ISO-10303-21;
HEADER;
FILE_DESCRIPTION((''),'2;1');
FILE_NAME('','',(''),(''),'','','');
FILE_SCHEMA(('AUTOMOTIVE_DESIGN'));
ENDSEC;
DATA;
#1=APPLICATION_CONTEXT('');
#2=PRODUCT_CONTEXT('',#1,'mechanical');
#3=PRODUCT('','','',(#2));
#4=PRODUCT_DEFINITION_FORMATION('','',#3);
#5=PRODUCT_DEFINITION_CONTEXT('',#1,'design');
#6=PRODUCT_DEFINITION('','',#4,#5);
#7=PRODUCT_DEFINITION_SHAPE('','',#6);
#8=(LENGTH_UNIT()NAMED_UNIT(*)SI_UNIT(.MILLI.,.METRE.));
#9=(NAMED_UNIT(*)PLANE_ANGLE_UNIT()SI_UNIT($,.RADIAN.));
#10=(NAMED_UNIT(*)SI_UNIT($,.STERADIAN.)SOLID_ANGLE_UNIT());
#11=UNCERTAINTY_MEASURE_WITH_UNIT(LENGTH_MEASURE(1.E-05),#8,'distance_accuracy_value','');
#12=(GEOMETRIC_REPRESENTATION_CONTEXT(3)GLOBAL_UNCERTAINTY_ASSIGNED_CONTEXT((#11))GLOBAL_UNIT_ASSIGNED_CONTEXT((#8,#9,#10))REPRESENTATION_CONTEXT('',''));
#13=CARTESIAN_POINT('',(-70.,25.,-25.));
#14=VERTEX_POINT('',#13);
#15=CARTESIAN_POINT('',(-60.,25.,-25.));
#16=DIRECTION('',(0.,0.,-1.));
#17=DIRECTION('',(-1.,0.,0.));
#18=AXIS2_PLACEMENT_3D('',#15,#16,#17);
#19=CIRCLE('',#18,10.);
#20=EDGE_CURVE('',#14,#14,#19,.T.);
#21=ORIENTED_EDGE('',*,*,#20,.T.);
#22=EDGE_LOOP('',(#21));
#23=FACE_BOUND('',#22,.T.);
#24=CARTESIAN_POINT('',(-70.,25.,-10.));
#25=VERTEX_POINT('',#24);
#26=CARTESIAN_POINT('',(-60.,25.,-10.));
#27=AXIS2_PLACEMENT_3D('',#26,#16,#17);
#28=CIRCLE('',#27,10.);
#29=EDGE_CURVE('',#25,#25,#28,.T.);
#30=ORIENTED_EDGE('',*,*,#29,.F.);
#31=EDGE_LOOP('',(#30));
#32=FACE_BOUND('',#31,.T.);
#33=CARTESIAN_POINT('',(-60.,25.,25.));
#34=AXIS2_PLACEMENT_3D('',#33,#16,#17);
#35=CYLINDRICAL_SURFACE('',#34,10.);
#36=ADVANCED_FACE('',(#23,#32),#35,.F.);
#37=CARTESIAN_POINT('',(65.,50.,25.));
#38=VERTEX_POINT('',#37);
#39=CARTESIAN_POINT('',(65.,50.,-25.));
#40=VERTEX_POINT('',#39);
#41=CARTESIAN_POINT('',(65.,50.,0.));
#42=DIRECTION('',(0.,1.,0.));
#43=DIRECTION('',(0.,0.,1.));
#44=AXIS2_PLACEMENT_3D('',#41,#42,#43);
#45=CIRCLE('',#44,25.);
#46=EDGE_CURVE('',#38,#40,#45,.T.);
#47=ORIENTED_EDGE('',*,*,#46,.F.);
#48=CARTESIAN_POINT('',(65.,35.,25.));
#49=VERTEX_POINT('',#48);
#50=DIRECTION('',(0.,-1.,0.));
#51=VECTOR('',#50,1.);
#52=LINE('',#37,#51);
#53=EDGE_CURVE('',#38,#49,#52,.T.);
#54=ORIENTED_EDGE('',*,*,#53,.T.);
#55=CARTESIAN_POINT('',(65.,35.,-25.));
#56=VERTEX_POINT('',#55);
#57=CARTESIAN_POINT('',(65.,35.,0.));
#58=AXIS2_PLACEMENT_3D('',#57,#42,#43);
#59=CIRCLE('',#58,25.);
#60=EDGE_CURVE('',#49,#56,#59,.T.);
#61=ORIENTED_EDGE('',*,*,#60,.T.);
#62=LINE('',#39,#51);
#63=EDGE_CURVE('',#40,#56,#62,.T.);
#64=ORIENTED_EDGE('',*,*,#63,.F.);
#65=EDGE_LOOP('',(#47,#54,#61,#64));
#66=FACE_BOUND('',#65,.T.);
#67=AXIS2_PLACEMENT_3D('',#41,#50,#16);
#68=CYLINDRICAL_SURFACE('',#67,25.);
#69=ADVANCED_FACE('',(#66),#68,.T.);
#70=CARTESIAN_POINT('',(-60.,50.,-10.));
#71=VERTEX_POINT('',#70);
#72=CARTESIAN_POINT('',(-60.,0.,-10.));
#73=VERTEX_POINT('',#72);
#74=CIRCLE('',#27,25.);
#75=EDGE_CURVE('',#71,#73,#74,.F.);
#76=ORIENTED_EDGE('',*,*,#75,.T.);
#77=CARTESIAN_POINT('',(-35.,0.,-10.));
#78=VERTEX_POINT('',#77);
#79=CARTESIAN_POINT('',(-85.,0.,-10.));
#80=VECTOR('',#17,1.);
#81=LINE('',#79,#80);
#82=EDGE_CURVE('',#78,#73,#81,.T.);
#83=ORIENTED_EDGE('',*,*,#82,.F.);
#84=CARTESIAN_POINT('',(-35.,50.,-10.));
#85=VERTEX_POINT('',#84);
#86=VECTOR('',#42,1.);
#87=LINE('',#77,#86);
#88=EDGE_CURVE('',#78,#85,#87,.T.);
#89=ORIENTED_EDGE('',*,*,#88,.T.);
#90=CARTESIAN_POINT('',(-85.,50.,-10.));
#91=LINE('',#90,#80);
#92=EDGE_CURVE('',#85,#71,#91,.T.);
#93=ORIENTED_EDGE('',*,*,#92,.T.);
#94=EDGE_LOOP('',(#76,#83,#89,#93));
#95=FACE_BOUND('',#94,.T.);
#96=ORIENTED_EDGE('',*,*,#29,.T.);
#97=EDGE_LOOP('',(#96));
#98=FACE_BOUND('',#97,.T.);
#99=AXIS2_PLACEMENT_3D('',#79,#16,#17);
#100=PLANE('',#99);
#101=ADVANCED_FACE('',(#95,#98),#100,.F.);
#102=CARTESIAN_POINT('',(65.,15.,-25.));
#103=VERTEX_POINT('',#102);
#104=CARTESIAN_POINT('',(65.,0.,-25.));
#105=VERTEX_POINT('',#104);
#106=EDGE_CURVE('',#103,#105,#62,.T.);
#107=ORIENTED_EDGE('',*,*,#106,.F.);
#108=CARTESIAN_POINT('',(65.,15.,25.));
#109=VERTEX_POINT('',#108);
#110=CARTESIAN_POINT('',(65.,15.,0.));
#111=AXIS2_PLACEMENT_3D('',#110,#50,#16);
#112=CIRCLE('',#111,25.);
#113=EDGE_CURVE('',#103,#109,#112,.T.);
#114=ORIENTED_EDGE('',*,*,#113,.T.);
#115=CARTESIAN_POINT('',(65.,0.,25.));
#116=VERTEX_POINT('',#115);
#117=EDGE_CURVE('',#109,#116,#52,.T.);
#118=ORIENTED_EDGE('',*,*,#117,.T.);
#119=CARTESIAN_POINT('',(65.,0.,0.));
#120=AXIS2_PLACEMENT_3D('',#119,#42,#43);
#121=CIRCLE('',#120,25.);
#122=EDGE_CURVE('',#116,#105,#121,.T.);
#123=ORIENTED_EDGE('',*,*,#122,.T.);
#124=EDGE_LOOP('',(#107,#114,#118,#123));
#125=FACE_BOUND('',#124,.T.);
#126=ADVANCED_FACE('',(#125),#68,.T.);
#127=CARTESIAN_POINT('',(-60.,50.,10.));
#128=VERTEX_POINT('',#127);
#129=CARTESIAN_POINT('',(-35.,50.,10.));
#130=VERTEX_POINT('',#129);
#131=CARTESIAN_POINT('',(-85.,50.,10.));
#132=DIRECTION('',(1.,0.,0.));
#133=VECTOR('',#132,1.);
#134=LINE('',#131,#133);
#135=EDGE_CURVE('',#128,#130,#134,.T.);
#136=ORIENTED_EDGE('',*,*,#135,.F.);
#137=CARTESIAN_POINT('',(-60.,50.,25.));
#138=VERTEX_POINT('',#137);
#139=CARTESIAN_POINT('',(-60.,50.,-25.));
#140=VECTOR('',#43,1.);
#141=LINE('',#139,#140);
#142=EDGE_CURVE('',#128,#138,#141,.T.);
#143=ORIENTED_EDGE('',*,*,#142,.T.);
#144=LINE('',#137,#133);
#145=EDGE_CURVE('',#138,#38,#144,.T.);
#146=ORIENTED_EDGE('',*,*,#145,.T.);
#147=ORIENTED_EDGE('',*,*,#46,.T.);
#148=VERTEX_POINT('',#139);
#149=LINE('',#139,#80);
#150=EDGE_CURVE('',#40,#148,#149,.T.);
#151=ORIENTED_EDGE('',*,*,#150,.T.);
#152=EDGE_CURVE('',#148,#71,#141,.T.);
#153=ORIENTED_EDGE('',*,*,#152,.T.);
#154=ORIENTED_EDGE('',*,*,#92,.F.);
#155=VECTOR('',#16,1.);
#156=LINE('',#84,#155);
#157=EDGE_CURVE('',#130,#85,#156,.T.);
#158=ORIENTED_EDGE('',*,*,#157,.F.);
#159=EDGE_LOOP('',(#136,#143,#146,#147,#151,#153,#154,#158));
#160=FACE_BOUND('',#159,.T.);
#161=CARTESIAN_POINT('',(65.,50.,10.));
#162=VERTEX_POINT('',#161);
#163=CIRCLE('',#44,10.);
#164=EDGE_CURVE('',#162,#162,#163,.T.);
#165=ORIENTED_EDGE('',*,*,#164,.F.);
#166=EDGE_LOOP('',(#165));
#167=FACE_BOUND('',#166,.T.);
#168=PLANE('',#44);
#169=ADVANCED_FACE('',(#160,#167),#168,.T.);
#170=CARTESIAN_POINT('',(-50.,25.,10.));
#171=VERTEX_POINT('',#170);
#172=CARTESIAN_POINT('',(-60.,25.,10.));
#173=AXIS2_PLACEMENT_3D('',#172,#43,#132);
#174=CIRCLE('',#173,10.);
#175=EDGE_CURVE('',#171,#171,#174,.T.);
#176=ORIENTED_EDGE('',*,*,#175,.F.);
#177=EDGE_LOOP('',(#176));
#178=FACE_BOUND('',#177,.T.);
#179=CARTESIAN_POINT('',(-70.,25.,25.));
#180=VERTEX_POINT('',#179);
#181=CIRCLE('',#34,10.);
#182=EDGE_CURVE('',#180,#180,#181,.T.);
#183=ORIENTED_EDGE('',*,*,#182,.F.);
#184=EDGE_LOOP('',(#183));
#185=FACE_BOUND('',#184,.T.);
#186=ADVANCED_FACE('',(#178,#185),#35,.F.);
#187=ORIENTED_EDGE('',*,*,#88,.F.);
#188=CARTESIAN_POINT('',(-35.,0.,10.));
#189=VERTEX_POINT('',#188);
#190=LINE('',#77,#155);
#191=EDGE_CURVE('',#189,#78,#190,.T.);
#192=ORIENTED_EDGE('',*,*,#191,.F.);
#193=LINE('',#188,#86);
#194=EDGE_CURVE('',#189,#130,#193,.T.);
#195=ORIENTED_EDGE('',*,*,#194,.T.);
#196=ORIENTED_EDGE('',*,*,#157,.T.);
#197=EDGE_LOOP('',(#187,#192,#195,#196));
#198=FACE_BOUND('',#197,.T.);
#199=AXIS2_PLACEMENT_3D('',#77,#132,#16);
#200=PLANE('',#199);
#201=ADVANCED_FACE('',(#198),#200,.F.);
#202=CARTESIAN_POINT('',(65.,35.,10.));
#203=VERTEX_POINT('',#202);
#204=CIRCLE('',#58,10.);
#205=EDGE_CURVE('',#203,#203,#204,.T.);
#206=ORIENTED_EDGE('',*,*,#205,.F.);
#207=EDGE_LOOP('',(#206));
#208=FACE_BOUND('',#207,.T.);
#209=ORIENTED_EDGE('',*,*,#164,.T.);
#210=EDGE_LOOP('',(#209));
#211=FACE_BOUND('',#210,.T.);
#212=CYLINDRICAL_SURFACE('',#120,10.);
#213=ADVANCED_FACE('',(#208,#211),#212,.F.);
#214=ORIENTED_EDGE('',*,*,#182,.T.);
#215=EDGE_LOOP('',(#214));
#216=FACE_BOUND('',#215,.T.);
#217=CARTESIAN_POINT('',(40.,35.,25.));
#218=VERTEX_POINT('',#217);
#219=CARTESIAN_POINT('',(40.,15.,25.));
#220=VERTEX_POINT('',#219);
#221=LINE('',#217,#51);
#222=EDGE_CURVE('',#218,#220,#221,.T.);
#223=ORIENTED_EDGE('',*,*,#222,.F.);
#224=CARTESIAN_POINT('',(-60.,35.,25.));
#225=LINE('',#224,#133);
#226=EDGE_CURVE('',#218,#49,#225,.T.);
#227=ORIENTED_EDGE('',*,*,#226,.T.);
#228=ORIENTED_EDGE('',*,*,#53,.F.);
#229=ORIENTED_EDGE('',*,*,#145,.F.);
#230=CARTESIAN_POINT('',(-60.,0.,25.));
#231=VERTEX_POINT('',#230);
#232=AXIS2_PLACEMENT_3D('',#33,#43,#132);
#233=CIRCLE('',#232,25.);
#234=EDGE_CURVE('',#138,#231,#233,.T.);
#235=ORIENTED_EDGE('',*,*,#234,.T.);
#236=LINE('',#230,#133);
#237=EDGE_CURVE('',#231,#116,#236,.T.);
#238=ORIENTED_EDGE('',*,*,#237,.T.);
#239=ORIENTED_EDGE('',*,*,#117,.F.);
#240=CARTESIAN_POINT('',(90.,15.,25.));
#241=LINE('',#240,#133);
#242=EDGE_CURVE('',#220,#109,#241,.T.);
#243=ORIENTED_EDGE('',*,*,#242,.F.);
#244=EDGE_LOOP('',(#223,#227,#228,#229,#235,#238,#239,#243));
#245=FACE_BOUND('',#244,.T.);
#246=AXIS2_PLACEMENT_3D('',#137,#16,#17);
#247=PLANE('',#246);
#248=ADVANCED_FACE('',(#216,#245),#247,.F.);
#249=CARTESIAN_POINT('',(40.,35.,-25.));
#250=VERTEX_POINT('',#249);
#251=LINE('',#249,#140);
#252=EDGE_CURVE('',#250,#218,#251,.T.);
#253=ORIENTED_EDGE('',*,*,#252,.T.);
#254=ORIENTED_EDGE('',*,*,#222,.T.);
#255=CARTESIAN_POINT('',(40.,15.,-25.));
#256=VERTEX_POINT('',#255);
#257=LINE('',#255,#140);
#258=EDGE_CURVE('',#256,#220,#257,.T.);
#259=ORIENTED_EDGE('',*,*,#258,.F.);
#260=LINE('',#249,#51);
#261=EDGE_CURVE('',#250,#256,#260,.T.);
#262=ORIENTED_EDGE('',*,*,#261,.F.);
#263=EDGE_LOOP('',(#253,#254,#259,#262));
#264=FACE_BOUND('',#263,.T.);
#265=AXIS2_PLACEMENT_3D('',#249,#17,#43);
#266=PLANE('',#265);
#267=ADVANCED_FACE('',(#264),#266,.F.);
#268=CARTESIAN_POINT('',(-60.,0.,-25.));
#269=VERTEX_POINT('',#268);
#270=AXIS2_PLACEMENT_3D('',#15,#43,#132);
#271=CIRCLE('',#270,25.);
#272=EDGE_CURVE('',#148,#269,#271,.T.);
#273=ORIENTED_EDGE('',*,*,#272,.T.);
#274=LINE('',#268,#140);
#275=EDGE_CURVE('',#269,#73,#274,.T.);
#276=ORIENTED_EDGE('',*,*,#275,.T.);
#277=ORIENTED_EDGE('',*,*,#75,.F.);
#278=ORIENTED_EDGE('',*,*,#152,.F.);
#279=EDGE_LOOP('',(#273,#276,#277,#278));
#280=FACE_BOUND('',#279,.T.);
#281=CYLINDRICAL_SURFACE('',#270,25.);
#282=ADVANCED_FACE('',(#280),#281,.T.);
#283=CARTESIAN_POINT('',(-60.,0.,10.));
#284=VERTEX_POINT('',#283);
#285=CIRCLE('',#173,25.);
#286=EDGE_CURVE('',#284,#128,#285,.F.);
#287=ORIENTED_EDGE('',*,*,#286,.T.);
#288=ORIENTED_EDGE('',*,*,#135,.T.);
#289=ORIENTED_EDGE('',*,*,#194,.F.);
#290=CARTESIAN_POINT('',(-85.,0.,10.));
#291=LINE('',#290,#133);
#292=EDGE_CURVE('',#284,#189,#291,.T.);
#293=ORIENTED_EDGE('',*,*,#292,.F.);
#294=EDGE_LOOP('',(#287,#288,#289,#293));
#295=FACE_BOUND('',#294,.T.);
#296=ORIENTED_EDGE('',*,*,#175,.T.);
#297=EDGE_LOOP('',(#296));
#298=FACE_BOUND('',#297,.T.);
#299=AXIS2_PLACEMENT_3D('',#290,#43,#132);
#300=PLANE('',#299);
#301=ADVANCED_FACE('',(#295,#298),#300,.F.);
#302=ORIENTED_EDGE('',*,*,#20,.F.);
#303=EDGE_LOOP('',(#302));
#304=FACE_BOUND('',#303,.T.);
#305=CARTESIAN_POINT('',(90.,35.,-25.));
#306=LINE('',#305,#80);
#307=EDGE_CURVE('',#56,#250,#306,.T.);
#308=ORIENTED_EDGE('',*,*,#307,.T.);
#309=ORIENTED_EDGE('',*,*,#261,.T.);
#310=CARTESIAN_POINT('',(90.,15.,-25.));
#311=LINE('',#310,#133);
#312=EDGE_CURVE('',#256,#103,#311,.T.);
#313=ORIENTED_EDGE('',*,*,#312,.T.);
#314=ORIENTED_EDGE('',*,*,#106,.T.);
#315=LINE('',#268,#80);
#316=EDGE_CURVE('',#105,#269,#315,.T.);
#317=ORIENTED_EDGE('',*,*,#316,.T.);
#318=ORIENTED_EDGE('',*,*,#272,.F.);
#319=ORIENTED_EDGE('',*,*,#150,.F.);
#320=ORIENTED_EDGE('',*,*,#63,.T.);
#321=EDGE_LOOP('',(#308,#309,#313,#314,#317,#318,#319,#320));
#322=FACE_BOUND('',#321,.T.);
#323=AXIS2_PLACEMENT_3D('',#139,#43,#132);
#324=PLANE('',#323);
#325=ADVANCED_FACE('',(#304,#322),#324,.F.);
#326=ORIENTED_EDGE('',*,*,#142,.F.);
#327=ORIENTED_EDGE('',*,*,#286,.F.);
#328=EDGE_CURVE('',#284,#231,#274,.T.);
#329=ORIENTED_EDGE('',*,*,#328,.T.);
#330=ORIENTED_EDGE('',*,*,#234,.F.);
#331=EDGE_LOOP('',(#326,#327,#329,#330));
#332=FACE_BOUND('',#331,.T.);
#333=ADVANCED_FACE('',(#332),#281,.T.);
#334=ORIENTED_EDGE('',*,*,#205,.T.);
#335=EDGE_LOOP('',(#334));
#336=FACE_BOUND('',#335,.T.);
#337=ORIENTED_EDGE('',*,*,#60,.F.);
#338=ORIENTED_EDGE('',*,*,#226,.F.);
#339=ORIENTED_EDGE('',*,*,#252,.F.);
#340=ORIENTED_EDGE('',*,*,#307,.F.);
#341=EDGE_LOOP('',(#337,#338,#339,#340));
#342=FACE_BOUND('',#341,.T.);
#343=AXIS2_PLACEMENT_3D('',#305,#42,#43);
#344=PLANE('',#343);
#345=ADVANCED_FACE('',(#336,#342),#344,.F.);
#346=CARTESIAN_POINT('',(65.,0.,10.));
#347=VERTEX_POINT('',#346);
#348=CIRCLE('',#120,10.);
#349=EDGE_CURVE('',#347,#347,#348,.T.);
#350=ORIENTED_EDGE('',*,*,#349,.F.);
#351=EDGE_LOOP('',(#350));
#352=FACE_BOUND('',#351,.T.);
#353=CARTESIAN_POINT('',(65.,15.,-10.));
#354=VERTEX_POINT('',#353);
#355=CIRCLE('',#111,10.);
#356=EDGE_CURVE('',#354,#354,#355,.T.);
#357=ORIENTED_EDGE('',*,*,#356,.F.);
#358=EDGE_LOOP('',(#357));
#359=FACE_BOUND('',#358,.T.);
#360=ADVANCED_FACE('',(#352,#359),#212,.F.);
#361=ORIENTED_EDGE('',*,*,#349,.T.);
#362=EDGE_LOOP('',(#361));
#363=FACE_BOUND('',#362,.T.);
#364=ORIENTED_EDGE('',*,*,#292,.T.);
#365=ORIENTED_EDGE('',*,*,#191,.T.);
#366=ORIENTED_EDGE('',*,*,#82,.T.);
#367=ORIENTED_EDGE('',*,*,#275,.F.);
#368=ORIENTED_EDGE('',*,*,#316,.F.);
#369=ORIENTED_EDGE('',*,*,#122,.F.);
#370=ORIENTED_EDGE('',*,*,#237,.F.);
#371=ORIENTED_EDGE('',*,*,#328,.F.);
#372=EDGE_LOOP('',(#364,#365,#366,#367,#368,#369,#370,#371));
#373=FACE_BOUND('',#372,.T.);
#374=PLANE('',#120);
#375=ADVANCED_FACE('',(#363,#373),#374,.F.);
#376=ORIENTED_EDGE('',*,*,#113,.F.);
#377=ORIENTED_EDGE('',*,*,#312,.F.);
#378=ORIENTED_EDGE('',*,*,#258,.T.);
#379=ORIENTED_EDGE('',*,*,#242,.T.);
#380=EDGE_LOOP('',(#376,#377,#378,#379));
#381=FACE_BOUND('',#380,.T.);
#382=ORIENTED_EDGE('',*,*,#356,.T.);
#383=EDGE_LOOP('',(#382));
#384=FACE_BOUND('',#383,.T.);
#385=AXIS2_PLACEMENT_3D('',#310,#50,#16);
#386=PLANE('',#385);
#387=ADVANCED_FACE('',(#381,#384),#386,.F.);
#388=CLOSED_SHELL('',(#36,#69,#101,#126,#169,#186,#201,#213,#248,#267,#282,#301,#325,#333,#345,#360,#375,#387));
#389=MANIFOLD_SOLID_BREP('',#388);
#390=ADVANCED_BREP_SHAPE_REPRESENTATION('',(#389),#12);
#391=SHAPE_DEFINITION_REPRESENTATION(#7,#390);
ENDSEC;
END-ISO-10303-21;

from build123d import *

# Parameters (mm, degrees)
BOSS_EXTRUDE1_DEPTH = 50
BOSS_EXTRUDE4_DEPTH = 50
SKETCH5_W           = 50
SKETCH5_H           = 20
CUT_EXTRUDE2_DEPTH  = 50
SKETCH6_W           = 50
SKETCH6_H           = 20
CUT_EXTRUDE3_DEPTH  = 50
SKETCH7_R           = 10
CUT_EXTRUDE4_DEPTH  = 50
SKETCH8_R           = 10
CUT_EXTRUDE5_DEPTH  = 50


with BuildPart() as part:
    # Sketch2 → Boss-Extrude1 (new body)
    with BuildSketch(Plane(origin=(0, 0, 0), x_dir=(1, 0, 0), z_dir=(0, 1, 0))):
        with BuildLine():
            Line((-60, 25), (65, 25))
            ThreePointArc((65, 25), (90, 0), (65, -25))
            Line((65, -25), (-60, -25))
            Line((-60, -25), (-60, 25))
        make_face()
    extrude(amount=BOSS_EXTRUDE1_DEPTH)

    # Sketch3 → Boss-Extrude4 (add)
    with BuildSketch(Plane.XY.offset(25)):
        with BuildLine():
            Line((-60, 50), (-60, 0))
            ThreePointArc((-60, 0), (-85, 25), (-60, 50))
        make_face()
    extrude(amount=-BOSS_EXTRUDE4_DEPTH)

    # Sketch5 → Cut-Extrude2 (cut)
    with BuildSketch(Plane(origin=(0, 50, 0), x_dir=(1, 0, 0), z_dir=(0, 1, 0))):
        with Locations((-60, 0)):
            Rectangle(SKETCH5_W, SKETCH5_H)
    extrude(amount=-CUT_EXTRUDE2_DEPTH, mode=Mode.SUBTRACT)

    # Sketch6 → Cut-Extrude3 (cut)
    with BuildSketch(Plane.XY.offset(25)):
        with Locations((65, 25)):
            Rectangle(SKETCH6_W, SKETCH6_H)
    extrude(amount=-CUT_EXTRUDE3_DEPTH, mode=Mode.SUBTRACT)

    # Sketch7 → Cut-Extrude4 (cut)
    with BuildSketch(Plane(origin=(0, 50, 0), x_dir=(1, 0, 0), z_dir=(0, 1, 0))):
        with Locations((65, 0)):
            Circle(SKETCH7_R)
    extrude(amount=-CUT_EXTRUDE4_DEPTH, mode=Mode.SUBTRACT)

    # Sketch8 → Cut-Extrude5 (cut)
    with BuildSketch(Plane(origin=(0, 0, -25), x_dir=(-1, 0, 0), z_dir=(0, 0, -1))):
        with Locations((60, 25)):
            Circle(SKETCH8_R)
    extrude(amount=-CUT_EXTRUDE5_DEPTH, mode=Mode.SUBTRACT)


solid = part.part
